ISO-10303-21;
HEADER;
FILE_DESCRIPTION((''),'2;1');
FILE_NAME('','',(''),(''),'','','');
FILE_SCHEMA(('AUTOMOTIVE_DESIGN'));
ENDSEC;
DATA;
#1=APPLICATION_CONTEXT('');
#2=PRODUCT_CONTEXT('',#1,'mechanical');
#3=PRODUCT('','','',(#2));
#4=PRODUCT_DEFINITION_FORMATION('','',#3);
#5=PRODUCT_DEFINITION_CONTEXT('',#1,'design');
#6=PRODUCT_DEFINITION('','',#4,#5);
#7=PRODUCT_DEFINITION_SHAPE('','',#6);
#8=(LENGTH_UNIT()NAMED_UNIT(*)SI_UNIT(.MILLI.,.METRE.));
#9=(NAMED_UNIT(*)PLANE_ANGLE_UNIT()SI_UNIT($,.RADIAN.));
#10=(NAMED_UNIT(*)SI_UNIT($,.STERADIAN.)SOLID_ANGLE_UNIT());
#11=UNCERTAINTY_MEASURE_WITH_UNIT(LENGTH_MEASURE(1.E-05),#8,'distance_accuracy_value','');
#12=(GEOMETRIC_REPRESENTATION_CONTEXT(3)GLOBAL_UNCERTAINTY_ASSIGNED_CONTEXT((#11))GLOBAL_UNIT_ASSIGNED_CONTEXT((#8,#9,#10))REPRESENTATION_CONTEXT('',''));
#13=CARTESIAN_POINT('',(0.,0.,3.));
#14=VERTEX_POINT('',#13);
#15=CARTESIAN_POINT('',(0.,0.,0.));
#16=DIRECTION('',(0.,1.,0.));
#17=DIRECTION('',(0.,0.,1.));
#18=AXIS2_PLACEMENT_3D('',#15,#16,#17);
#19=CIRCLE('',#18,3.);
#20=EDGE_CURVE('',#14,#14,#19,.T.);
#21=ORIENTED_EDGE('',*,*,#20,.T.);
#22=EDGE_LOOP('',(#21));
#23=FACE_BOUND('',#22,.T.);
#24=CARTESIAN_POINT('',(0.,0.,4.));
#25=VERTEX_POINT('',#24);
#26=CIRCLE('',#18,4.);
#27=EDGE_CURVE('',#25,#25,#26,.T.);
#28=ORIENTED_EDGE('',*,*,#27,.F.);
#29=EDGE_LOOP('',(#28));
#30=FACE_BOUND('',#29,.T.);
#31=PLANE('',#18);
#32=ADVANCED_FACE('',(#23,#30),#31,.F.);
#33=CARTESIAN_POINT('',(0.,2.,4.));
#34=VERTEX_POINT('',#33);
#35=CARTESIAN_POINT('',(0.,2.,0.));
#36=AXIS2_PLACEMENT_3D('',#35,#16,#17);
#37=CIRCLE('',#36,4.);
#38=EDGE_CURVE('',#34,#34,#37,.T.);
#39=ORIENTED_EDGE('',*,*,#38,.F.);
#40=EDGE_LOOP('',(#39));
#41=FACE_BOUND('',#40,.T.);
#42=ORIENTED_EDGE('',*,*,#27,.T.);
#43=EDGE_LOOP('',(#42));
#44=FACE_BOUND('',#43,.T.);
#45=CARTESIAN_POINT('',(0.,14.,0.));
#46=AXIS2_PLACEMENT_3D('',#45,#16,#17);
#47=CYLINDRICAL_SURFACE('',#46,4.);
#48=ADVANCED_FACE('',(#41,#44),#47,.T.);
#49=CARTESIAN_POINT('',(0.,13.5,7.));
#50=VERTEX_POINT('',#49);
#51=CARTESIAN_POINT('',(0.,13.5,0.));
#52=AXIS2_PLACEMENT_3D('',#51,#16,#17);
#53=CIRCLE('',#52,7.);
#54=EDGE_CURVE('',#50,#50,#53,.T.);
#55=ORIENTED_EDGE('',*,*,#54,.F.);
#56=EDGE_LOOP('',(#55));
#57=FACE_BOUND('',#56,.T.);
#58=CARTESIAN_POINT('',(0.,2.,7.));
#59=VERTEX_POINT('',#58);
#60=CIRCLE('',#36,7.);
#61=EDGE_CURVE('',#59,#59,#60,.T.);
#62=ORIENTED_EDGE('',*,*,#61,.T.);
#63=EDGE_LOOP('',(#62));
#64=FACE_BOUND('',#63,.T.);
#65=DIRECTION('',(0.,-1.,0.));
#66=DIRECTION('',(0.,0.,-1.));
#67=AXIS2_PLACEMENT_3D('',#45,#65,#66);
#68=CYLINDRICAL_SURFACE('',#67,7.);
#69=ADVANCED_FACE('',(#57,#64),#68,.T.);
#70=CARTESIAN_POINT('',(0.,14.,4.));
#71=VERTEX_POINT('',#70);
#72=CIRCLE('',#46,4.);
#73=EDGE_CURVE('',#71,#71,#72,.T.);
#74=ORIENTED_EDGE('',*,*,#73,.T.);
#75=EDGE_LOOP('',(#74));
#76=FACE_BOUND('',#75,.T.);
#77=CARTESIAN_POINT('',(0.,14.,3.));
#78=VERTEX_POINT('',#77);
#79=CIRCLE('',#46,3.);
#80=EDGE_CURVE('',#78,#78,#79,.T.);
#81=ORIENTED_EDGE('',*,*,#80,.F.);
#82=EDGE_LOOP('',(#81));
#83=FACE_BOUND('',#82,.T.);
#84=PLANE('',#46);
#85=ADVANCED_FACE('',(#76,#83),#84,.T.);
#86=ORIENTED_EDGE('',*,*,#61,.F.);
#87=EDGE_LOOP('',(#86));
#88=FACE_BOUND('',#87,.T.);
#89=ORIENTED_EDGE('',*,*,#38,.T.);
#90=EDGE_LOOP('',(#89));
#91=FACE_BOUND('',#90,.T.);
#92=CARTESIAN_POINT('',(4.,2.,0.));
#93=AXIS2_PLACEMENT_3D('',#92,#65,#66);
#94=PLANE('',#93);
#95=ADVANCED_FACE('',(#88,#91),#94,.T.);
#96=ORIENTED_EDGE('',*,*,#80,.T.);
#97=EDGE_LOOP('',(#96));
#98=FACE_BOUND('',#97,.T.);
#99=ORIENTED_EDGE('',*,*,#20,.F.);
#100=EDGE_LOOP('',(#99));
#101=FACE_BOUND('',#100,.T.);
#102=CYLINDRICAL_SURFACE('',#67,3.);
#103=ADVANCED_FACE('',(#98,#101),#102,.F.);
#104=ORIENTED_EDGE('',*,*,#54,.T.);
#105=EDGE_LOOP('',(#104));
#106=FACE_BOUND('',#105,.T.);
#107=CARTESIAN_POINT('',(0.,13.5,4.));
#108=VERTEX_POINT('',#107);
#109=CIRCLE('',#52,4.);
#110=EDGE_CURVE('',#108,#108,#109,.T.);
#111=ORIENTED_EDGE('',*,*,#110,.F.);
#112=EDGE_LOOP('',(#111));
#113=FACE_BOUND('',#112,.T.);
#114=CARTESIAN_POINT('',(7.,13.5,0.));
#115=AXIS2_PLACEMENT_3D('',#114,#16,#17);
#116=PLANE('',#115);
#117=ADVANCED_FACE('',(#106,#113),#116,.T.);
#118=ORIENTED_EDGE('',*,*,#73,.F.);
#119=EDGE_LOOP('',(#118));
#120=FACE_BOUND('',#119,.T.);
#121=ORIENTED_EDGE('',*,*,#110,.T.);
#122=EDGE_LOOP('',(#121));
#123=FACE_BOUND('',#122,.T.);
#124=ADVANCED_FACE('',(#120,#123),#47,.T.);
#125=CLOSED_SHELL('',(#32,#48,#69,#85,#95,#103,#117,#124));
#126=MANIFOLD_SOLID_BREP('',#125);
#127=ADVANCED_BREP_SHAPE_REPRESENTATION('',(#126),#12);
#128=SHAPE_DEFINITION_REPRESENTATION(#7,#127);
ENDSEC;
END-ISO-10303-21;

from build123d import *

# Parameters (mm, degrees)
SKETCH1_R           = 7
SKETCH1_R_2         = 3
BOSS_EXTRUDE1_DEPTH = 14
SKETCH2_W           = 3
SKETCH2_H           = 2
SKETCH2_H_2         = 0.5


with BuildPart() as part:
    # Sketch1 → Boss-Extrude1 (new body)
    with BuildSketch(Plane(origin=(0, 0, 0), x_dir=(1, 0, 0), z_dir=(0, 1, 0))):
        with Locations(Location((0, 0, 0), (0, 0, 270))):
            Circle(SKETCH1_R)
        with Locations(Location((0, 0, 0), (0, 0, 270))):
            Circle(SKETCH1_R_2, mode=Mode.SUBTRACT)
    extrude(amount=BOSS_EXTRUDE1_DEPTH)

    # Sketch2 → Cut-Revolve1 (revolve, cut)
    with BuildSketch(Plane.XY, mode=Mode.PRIVATE) as cut_revolve1_sk:
        with Locations((5.5, 1)):
            Rectangle(SKETCH2_W, SKETCH2_H)
        with Locations((5.5, 13.75)):
            Rectangle(SKETCH2_W, SKETCH2_H_2)
    revolve(cut_revolve1_sk.sketch.rotate(Axis((0, 14, 0), (0, -1, 0)), 90), axis=Axis((0, 14, 0), (0, -1, 0)), mode=Mode.SUBTRACT)


solid = part.part
